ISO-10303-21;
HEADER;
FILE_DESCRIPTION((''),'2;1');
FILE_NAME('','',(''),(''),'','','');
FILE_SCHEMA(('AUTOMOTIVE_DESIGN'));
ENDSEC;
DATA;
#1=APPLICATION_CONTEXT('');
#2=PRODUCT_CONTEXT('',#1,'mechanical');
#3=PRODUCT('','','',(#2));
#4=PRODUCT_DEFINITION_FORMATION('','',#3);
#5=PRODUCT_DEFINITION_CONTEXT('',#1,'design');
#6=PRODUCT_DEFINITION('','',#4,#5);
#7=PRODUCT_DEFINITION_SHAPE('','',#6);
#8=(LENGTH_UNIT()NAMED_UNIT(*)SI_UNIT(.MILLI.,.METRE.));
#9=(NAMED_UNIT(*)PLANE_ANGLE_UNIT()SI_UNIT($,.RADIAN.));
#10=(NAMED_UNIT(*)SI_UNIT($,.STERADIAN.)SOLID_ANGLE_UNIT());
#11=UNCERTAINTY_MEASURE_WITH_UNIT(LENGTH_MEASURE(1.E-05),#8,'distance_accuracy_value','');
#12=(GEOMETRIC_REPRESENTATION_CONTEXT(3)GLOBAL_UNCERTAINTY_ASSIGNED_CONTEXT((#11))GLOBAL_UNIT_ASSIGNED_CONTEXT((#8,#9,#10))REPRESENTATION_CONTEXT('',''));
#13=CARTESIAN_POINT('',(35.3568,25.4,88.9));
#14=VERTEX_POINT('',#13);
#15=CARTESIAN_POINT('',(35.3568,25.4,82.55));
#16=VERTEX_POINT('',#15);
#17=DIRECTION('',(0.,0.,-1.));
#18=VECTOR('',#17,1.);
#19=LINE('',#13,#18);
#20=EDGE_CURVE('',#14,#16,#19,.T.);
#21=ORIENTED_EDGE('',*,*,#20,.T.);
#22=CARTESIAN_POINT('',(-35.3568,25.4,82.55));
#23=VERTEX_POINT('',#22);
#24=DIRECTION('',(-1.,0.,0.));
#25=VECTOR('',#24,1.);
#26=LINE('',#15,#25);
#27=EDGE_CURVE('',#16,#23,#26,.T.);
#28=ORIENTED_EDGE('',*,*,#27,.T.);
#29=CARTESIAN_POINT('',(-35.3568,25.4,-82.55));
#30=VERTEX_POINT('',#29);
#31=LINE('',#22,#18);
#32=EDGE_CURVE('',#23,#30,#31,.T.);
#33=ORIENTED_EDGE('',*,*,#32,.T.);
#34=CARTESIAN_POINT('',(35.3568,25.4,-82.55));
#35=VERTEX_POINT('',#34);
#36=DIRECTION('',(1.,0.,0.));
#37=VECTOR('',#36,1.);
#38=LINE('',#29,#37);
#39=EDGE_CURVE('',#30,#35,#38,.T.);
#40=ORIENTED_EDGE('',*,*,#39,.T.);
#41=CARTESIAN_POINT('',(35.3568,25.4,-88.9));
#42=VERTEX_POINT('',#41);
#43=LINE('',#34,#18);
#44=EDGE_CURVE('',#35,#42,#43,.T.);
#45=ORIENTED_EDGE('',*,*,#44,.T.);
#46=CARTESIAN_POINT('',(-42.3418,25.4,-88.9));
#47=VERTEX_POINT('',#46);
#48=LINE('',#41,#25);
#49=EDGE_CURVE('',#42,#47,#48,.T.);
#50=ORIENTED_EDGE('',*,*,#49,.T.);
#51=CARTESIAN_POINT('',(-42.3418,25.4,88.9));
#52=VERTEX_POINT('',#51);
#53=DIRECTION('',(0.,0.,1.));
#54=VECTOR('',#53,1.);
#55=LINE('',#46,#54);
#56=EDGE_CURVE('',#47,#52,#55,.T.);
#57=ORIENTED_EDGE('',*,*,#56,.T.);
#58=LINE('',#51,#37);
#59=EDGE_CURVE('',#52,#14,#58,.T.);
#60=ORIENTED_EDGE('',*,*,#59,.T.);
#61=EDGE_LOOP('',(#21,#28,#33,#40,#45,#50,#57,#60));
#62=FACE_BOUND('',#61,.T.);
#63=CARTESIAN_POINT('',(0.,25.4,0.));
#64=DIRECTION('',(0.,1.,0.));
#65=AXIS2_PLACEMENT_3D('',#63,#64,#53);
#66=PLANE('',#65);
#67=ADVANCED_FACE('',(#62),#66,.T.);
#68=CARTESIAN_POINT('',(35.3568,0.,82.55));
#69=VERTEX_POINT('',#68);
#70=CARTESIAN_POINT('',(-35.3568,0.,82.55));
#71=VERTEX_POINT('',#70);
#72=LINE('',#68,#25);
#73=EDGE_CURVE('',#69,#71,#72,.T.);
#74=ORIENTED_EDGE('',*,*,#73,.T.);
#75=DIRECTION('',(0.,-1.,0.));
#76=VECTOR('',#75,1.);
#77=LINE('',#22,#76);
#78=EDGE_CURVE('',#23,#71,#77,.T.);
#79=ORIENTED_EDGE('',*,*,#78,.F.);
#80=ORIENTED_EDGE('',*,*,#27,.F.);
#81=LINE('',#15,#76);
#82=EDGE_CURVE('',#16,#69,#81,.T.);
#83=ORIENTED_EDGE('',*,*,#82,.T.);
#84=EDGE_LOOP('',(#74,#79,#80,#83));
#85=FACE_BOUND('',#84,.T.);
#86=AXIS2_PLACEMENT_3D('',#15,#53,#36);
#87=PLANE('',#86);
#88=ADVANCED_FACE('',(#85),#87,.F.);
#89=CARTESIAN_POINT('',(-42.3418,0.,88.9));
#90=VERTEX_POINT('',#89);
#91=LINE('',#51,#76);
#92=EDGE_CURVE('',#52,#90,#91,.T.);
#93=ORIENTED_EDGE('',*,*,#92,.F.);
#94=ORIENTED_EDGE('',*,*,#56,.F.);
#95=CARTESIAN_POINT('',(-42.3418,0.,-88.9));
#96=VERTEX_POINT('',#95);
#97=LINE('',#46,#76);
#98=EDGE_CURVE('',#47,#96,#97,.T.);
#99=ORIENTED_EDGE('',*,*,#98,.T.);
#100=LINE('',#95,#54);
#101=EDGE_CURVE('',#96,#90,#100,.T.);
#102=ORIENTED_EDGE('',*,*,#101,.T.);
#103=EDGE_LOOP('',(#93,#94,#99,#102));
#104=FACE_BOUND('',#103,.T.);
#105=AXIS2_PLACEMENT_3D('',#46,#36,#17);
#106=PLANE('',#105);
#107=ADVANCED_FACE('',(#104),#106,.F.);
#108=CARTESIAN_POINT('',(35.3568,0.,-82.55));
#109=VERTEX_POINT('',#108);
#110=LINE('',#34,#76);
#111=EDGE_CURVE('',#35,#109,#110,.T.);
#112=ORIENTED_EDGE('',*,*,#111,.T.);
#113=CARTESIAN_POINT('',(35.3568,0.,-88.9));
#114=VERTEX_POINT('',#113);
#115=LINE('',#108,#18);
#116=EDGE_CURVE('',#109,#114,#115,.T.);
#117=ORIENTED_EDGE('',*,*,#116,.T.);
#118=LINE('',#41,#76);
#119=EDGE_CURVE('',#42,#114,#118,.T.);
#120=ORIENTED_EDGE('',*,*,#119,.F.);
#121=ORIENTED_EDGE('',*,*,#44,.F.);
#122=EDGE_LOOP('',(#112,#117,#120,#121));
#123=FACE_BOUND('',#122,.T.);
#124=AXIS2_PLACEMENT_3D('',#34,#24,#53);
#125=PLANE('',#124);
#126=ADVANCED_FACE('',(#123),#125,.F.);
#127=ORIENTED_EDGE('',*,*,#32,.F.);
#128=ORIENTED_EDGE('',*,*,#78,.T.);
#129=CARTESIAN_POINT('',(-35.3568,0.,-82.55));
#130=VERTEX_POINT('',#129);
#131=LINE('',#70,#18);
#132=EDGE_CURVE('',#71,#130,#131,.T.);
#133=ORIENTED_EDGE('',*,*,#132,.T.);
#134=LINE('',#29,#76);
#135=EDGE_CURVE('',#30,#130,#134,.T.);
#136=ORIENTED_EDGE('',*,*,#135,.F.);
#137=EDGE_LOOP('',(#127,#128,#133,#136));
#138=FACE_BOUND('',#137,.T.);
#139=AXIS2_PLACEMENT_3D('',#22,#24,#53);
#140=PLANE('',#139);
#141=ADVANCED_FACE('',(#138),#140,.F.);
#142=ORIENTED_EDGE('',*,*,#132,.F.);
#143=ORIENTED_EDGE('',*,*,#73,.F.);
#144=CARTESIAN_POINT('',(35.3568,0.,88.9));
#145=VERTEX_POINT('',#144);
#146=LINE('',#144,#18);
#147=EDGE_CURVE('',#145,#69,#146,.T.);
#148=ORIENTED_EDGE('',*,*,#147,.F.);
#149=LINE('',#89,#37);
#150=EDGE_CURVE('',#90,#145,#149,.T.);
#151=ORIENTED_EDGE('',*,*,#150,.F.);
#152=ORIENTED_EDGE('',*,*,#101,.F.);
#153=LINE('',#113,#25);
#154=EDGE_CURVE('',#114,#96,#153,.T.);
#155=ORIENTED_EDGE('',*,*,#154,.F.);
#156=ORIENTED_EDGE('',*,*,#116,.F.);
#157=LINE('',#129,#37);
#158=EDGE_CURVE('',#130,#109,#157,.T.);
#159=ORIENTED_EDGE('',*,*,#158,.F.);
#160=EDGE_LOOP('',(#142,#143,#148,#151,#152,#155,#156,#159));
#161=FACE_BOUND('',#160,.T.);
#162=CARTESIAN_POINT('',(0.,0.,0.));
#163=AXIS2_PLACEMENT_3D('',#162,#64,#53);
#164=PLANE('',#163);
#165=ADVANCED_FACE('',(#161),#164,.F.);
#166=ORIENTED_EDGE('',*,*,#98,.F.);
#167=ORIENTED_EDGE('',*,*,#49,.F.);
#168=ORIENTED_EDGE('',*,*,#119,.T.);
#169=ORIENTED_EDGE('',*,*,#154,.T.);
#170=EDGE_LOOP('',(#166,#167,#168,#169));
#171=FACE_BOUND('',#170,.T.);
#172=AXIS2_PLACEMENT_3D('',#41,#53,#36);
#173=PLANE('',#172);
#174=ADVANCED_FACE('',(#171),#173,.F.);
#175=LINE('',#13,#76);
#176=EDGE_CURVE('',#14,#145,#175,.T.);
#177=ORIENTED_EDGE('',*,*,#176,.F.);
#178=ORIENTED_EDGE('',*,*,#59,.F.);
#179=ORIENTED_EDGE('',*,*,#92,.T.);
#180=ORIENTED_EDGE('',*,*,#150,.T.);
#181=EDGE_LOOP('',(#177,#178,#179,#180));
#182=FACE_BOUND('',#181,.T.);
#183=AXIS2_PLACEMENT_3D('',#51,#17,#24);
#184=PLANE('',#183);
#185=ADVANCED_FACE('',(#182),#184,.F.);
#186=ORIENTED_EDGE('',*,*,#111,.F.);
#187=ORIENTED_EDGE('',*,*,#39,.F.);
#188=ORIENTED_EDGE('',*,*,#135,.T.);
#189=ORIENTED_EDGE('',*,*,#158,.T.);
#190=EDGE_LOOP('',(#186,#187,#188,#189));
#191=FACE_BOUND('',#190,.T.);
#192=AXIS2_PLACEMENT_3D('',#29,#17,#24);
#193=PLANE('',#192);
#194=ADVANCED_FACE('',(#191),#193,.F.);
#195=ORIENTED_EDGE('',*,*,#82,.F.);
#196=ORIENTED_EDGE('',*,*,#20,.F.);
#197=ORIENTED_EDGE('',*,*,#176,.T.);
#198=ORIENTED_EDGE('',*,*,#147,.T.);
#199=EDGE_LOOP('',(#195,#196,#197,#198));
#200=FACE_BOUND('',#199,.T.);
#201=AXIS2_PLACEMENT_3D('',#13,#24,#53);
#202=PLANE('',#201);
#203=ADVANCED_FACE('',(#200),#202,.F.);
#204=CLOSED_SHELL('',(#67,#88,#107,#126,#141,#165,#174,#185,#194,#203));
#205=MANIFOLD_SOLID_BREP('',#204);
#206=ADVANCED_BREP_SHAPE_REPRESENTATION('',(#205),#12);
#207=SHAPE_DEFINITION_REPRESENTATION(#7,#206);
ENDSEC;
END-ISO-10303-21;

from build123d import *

# Parameters (mm, degrees)
EXTRUSION1_DEPTH = 25.4


with BuildPart() as part:
    # Sketch1 → Extrusion1 (new body)
    with BuildSketch(Plane(origin=(0, 0, 0), x_dir=(-1, 0, 0), z_dir=(0, 1, 0))):
        Polygon((-35.3568, 82.55), (35.3568, 82.55), (35.3568, -82.55), (-35.3568, -82.55), (-35.3568, -88.9), (42.3418, -88.9), (42.3418, 88.9), (-35.3568, 88.9), align=None)
    extrude(amount=EXTRUSION1_DEPTH)


solid = part.part
